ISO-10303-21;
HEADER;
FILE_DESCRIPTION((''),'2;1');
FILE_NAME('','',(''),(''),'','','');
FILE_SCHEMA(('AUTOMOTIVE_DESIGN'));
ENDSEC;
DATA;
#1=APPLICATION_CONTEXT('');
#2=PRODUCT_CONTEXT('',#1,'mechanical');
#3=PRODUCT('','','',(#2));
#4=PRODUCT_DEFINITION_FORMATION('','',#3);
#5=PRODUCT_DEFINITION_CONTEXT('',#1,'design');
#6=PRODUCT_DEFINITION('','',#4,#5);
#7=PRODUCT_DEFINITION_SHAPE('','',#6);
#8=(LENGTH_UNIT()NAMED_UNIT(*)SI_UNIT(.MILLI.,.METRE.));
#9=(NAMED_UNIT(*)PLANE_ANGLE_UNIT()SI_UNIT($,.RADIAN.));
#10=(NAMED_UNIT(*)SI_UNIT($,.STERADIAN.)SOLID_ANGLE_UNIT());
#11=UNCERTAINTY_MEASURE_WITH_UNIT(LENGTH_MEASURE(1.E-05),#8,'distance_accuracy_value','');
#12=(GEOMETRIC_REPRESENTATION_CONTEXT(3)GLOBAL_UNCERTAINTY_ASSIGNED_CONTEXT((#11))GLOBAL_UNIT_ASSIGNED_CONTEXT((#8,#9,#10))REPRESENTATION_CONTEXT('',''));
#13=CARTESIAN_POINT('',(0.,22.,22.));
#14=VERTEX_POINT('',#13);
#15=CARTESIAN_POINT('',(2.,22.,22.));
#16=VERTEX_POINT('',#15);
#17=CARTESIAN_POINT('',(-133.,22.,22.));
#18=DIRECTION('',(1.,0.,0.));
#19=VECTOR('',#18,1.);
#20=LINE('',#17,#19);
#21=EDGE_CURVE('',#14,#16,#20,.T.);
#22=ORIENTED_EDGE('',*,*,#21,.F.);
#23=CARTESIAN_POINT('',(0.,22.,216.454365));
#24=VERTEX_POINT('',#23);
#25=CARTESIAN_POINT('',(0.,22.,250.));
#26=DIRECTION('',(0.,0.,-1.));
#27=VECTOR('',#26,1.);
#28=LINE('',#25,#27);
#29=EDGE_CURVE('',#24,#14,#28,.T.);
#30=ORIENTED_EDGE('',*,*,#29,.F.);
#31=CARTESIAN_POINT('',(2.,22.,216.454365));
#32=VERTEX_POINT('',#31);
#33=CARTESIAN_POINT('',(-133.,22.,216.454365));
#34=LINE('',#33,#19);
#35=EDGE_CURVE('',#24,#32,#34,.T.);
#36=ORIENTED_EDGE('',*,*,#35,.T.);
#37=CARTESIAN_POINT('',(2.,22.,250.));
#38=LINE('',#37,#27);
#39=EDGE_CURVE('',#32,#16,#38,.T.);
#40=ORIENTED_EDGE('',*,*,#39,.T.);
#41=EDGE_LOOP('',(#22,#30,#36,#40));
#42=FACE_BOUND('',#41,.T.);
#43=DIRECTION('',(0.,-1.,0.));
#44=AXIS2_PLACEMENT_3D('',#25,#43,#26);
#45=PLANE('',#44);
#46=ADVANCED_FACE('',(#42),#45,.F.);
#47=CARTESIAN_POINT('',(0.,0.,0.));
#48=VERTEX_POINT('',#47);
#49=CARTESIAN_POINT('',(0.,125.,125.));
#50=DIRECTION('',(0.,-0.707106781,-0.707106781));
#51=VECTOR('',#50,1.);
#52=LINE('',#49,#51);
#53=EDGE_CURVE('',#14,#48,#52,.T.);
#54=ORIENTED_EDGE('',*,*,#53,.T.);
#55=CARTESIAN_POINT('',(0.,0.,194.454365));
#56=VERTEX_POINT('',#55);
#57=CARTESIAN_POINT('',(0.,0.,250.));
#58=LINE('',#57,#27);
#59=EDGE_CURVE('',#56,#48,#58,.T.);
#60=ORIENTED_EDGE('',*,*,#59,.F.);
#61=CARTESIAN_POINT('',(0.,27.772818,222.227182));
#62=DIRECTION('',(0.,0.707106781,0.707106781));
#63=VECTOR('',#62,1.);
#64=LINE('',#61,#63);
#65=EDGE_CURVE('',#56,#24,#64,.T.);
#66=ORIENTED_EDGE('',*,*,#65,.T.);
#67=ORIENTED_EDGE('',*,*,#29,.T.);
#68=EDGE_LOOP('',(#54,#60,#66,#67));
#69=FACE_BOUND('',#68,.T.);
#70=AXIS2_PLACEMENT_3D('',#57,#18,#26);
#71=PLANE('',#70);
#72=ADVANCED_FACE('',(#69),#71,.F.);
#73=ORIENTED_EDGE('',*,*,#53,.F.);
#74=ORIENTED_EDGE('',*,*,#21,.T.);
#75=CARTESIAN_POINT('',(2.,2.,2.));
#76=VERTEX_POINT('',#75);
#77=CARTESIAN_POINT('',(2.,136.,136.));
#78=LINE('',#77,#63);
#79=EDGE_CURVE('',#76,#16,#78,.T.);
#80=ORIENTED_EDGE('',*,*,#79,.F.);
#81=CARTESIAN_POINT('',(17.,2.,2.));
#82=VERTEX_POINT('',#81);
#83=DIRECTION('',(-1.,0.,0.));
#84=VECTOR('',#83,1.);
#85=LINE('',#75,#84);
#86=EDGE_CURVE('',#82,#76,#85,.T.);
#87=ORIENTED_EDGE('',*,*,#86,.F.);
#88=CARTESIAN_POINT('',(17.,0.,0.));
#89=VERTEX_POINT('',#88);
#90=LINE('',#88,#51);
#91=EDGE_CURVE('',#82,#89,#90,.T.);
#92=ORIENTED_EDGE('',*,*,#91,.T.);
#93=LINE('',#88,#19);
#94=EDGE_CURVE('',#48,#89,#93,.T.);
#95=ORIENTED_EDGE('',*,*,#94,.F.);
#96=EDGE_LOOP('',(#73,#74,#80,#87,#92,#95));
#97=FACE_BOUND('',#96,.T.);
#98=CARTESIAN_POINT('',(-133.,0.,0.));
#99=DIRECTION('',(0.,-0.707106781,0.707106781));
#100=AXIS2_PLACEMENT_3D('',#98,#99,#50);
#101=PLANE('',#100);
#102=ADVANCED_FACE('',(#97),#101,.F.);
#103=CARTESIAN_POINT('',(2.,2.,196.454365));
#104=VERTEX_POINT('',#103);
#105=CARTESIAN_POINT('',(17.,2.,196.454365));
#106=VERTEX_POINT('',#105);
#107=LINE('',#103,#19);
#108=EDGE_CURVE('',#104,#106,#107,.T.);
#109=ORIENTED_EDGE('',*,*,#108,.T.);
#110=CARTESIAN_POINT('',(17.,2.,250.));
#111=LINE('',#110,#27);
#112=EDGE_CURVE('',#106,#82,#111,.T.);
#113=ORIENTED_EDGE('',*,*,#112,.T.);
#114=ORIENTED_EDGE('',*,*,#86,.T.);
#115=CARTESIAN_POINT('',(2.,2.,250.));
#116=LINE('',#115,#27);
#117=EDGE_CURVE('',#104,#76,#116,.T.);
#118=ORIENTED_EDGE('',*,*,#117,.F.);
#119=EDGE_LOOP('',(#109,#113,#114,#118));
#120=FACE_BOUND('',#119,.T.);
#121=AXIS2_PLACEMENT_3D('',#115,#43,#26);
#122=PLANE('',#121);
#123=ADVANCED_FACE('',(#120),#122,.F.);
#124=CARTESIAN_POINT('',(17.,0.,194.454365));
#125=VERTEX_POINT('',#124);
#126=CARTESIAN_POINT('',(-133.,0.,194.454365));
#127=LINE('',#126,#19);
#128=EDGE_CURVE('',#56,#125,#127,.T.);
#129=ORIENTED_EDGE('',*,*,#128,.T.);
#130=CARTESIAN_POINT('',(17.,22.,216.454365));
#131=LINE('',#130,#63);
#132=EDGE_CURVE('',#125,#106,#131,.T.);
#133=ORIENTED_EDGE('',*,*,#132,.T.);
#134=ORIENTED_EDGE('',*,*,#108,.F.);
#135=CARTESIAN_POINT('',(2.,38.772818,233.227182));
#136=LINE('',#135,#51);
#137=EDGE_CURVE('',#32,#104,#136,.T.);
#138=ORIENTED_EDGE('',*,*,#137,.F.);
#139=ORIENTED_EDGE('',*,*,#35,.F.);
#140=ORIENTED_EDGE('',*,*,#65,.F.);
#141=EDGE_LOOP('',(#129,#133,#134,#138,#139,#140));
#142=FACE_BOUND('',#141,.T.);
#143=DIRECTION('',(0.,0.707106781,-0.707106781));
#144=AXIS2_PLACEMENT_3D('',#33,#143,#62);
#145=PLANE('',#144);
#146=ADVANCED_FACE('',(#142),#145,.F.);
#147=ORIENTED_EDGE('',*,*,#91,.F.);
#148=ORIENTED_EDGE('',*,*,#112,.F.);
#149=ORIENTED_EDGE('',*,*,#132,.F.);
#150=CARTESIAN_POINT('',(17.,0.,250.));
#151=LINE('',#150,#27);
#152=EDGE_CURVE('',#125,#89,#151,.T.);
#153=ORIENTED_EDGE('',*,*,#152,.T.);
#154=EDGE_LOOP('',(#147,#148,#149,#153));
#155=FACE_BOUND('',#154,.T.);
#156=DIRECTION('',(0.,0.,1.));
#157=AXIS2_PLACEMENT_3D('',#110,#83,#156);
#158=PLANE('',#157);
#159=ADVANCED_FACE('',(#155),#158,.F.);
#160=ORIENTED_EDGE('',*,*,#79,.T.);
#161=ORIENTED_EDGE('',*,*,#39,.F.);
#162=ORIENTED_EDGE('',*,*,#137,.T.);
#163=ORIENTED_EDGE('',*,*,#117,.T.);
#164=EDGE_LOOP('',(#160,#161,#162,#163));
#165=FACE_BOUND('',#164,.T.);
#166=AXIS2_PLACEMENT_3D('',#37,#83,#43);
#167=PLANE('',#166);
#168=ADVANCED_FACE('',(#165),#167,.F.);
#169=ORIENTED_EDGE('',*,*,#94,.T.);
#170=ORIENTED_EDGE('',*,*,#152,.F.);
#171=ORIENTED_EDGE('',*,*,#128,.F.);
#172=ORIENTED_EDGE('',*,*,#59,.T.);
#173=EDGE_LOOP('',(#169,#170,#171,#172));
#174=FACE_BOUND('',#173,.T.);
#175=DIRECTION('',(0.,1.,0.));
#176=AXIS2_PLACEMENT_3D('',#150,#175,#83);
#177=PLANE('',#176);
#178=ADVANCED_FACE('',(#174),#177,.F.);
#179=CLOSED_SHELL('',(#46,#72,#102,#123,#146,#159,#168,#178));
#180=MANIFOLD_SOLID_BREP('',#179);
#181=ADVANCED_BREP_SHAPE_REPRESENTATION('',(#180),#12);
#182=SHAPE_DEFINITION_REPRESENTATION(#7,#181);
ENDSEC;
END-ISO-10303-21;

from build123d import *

# Parameters (mm, degrees)
BOSS_EXTRUDE1_DEPTH = 250
CUT_EXTRUDE1_DEPTH  = 150


with BuildPart() as part:
    # Sketch1 → Boss-Extrude1 (new body)
    with BuildSketch(Plane.XY):
        Polygon((0, 0), (0, 22), (2, 22), (2, 2), (17, 2), (17, 0), align=None)
    extrude(amount=BOSS_EXTRUDE1_DEPTH)

    # Sketch2 → Cut-Extrude1 (cut)
    with BuildSketch(Plane(origin=(17, 0, 0), x_dir=(0, 0, -1), z_dir=(1, 0, 0))):
        Polygon((-216.454364826, 22), (-250, 22), (-250, 0), (-194.454364826, 0), align=None)
        Polygon((-22, 22), (0, 22), (0, 0), align=None)
    extrude(amount=-CUT_EXTRUDE1_DEPTH, mode=Mode.SUBTRACT)


solid = part.part
